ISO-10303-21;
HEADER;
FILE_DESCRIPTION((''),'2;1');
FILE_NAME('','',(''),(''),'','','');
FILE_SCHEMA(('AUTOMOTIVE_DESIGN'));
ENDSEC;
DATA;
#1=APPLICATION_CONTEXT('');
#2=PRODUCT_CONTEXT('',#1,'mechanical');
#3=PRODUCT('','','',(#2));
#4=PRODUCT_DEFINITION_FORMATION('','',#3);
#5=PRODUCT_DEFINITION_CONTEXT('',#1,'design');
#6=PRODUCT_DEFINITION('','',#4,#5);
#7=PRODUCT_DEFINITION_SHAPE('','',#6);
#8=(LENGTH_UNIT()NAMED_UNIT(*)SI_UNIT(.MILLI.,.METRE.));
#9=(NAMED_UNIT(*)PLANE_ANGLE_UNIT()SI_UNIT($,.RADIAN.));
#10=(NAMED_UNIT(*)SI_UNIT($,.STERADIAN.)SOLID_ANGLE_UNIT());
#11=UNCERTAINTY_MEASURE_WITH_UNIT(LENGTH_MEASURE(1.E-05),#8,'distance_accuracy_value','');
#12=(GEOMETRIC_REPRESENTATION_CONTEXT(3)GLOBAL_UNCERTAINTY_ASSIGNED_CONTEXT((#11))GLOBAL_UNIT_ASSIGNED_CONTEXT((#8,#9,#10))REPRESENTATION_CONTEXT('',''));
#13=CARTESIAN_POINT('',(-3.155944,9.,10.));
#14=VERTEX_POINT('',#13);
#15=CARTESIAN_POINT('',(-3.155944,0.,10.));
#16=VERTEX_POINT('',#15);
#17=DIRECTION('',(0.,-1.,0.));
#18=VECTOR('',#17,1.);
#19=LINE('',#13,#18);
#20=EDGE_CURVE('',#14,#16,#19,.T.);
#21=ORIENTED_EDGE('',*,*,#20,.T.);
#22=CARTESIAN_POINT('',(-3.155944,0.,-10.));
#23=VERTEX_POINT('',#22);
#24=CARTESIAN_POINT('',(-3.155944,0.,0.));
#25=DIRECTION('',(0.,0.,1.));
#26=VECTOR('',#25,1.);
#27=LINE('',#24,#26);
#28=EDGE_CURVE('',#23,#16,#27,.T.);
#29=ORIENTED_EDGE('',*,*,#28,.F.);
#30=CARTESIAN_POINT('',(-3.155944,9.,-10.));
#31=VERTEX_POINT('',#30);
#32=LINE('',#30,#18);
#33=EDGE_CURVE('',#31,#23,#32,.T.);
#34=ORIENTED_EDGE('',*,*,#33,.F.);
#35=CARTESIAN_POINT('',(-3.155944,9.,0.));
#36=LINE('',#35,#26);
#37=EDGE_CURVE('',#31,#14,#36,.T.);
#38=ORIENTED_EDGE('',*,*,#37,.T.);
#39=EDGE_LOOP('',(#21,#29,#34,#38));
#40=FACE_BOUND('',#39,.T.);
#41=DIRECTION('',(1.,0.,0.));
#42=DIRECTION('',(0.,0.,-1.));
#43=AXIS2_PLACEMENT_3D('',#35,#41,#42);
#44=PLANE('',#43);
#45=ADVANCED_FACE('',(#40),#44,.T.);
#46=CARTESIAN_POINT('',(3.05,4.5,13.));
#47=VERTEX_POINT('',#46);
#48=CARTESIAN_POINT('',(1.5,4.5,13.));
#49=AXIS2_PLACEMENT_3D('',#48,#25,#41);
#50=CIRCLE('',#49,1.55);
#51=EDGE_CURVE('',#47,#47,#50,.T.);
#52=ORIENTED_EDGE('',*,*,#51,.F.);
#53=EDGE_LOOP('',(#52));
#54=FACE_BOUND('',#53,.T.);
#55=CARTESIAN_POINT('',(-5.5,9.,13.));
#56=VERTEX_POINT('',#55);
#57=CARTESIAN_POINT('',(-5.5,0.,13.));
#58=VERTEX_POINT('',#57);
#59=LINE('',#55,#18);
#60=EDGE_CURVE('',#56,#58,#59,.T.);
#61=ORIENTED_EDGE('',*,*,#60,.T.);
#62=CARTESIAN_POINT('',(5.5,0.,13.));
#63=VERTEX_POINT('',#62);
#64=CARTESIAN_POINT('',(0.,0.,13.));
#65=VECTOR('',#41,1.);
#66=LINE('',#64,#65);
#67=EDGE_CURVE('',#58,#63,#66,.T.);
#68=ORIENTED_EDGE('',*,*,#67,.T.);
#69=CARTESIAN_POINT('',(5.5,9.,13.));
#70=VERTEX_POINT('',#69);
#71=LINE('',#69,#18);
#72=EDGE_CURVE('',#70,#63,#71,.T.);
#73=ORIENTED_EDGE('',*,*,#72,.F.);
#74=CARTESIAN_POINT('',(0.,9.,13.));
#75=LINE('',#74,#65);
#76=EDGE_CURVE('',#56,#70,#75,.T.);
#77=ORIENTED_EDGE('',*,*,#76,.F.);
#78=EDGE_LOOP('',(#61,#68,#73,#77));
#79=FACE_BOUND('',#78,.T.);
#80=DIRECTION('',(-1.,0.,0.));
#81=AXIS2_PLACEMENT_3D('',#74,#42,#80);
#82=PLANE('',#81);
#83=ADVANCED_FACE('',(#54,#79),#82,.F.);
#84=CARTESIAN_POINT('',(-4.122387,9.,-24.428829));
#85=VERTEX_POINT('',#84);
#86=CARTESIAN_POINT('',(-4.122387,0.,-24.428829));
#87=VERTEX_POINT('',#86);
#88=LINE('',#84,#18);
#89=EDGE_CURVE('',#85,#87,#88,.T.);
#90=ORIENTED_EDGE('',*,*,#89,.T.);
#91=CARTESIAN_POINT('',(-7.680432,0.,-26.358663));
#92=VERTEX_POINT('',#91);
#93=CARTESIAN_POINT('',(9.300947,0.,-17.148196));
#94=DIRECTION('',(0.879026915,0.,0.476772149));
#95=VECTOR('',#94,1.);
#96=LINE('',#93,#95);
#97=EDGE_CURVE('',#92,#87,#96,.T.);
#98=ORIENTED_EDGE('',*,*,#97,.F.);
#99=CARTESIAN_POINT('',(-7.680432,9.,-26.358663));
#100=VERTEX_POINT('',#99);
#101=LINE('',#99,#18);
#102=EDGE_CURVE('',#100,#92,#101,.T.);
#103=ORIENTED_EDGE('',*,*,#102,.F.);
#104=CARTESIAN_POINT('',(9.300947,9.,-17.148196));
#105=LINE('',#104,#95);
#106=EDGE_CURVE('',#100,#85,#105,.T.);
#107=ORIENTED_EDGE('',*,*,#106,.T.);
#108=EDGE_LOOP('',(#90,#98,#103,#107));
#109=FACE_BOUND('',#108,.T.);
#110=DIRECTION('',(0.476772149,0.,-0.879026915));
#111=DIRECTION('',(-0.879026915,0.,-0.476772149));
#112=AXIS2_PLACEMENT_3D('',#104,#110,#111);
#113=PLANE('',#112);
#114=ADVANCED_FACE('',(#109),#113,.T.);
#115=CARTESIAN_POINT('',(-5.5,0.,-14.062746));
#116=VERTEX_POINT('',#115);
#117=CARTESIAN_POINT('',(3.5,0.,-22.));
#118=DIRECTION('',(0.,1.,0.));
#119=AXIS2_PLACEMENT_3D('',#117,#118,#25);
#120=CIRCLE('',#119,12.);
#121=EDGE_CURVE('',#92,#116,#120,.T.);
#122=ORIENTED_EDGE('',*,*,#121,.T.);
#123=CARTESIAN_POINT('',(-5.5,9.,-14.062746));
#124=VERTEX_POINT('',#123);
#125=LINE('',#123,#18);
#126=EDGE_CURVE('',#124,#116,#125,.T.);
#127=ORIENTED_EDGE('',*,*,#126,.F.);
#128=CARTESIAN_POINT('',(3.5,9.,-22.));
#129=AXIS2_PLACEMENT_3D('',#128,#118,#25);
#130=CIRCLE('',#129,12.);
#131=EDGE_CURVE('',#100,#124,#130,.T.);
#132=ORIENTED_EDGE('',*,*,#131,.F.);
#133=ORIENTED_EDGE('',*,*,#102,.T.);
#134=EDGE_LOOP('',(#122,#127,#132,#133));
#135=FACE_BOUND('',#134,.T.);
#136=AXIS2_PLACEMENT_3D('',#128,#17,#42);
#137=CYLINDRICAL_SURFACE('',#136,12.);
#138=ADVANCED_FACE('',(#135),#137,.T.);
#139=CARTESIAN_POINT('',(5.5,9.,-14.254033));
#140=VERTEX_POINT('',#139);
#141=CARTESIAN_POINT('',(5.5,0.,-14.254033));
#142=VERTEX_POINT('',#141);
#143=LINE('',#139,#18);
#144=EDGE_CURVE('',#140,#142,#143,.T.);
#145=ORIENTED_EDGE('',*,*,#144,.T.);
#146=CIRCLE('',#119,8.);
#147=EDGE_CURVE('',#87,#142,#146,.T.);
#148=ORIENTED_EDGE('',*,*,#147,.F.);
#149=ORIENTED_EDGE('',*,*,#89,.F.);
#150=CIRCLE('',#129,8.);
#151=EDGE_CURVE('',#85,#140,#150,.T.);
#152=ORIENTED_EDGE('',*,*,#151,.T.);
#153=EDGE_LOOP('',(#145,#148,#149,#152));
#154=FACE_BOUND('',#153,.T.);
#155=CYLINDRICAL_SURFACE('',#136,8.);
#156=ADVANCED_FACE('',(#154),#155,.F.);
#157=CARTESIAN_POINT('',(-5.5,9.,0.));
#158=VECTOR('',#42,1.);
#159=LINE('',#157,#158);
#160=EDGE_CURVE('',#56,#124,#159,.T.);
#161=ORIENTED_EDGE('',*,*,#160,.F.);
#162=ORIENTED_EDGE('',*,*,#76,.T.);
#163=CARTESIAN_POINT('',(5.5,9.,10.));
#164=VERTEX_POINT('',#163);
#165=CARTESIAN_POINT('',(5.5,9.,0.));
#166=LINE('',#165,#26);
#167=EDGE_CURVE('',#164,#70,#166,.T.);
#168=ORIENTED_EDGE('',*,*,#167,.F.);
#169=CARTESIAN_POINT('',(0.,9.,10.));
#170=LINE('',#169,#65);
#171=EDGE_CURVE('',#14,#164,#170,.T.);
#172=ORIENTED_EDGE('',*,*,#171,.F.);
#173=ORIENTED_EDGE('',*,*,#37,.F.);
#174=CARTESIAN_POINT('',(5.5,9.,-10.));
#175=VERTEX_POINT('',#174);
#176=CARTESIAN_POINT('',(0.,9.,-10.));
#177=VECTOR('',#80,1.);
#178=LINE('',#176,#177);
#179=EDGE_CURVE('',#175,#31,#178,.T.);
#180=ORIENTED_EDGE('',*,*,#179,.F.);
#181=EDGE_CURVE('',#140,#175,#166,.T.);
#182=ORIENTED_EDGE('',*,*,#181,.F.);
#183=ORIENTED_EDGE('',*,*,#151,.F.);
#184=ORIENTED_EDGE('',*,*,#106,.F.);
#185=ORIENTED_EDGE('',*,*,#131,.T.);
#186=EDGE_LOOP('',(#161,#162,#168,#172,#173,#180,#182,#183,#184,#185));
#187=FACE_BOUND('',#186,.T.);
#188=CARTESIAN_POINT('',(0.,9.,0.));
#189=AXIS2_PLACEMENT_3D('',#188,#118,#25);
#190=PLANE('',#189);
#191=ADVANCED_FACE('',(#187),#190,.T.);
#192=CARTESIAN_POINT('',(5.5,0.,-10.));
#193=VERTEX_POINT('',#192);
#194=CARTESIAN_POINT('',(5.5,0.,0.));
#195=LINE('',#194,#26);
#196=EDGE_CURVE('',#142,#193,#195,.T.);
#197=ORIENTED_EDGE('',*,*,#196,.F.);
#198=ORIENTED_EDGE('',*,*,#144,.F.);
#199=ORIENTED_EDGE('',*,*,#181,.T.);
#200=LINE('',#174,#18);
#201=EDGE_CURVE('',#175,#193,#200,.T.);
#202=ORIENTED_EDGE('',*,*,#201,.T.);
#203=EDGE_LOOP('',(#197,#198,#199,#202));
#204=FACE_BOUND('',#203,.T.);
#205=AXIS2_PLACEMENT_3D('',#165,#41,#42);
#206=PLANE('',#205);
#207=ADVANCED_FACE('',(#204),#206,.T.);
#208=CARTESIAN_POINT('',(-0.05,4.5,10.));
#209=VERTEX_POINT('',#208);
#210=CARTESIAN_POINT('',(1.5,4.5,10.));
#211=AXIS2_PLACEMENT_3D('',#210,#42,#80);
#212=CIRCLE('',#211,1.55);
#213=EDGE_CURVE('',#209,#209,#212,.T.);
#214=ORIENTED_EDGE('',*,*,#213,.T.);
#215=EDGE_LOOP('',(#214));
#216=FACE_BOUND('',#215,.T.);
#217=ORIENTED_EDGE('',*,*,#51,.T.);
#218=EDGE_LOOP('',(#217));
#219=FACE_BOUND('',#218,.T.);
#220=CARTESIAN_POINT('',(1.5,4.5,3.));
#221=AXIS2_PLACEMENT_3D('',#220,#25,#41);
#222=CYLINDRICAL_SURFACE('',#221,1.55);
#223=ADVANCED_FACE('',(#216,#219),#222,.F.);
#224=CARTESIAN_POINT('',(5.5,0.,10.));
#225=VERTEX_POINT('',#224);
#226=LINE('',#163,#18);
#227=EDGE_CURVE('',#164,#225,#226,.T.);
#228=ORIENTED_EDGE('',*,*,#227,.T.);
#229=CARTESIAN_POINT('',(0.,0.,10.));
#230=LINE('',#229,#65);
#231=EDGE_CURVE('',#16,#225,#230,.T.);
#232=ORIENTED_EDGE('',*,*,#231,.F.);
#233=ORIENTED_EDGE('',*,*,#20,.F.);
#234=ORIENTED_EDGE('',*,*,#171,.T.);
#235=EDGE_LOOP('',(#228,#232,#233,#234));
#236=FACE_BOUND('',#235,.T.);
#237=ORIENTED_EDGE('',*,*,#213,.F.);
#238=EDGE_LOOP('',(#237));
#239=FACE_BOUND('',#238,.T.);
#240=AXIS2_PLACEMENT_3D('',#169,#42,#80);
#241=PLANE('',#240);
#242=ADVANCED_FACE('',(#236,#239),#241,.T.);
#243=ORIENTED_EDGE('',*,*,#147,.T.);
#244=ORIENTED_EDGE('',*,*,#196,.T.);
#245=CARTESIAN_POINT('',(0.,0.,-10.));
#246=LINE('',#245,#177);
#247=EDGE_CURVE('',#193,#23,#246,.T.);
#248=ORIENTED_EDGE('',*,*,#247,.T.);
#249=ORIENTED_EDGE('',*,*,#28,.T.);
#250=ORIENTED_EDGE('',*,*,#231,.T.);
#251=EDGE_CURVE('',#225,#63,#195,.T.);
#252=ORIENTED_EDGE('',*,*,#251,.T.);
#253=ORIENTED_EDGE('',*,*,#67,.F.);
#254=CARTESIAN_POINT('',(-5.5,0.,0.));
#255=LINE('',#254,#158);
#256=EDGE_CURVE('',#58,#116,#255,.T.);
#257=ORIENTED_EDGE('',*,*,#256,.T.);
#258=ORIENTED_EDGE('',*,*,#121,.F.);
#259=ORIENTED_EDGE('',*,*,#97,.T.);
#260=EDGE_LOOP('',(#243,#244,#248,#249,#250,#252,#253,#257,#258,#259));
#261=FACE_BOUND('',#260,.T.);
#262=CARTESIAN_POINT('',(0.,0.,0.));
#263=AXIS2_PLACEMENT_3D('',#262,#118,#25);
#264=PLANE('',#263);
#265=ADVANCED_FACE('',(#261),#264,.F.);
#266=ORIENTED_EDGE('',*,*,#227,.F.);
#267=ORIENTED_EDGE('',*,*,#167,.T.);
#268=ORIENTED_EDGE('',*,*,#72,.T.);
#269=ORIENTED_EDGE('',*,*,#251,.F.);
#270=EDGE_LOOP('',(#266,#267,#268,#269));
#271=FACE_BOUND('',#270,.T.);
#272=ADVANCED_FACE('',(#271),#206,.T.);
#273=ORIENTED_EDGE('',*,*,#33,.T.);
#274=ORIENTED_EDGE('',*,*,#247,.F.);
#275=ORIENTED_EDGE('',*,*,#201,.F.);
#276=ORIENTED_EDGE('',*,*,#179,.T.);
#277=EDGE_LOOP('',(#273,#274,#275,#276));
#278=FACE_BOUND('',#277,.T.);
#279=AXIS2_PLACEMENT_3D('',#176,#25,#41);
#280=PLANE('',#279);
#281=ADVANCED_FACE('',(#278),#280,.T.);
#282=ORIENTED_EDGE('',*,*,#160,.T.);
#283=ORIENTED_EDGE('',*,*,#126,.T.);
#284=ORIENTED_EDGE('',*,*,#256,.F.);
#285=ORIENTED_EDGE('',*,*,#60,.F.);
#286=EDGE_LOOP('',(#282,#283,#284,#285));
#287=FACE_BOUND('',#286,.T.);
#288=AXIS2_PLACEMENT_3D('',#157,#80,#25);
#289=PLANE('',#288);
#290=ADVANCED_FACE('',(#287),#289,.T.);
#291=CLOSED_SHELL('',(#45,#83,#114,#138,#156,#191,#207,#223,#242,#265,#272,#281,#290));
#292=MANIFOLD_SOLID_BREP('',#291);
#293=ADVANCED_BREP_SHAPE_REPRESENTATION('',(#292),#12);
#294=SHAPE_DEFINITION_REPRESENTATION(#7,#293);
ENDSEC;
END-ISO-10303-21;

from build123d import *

# Parameters (mm, degrees)
BOSS_EXTRUDE1_DEPTH = 9
SKETCH2_R           = 1.55
CUT_EXTRUDE1_DEPTH  = 10


with BuildPart() as part:
    # Sketch1 → Boss-Extrude1 (new body)
    with BuildSketch(Plane(origin=(0, 0, 0), x_dir=(1, 0, 0), z_dir=(0, 1, 0))):
        with BuildLine():
            Line((5.5, 14.254033308), (5.5, 10))
            Line((5.5, 10), (-3.155943876, 10))
            Line((-3.155943876, 10), (-3.155943876, -10))
            Line((-3.155943876, -10), (5.5, -10))
            Line((5.5, -10), (5.5, -13))
            Line((5.5, -13), (-5.5, -13))
            Line((-5.5, -13), (-5.5, 14.062746067))
            ThreePointArc((-5.5, 14.062746067), (-8.315661291, 19.904731936), (-7.680431732, 26.358663359))
            Line((-7.680431732, 26.358663359), (-4.122387432, 24.428828902))
            ThreePointArc((-4.122387432, 24.428828902), (-2.312437222, 16.503130569), (5.5, 14.254033308))
        make_face()
    extrude(amount=BOSS_EXTRUDE1_DEPTH)

    # Sketch2 → Cut-Extrude1 (cut)
    with BuildSketch(Plane.XY.offset(13)):
        with Locations((1.5, 4.5)):
            Circle(SKETCH2_R)
    extrude(amount=-CUT_EXTRUDE1_DEPTH, mode=Mode.SUBTRACT)


solid = part.part
